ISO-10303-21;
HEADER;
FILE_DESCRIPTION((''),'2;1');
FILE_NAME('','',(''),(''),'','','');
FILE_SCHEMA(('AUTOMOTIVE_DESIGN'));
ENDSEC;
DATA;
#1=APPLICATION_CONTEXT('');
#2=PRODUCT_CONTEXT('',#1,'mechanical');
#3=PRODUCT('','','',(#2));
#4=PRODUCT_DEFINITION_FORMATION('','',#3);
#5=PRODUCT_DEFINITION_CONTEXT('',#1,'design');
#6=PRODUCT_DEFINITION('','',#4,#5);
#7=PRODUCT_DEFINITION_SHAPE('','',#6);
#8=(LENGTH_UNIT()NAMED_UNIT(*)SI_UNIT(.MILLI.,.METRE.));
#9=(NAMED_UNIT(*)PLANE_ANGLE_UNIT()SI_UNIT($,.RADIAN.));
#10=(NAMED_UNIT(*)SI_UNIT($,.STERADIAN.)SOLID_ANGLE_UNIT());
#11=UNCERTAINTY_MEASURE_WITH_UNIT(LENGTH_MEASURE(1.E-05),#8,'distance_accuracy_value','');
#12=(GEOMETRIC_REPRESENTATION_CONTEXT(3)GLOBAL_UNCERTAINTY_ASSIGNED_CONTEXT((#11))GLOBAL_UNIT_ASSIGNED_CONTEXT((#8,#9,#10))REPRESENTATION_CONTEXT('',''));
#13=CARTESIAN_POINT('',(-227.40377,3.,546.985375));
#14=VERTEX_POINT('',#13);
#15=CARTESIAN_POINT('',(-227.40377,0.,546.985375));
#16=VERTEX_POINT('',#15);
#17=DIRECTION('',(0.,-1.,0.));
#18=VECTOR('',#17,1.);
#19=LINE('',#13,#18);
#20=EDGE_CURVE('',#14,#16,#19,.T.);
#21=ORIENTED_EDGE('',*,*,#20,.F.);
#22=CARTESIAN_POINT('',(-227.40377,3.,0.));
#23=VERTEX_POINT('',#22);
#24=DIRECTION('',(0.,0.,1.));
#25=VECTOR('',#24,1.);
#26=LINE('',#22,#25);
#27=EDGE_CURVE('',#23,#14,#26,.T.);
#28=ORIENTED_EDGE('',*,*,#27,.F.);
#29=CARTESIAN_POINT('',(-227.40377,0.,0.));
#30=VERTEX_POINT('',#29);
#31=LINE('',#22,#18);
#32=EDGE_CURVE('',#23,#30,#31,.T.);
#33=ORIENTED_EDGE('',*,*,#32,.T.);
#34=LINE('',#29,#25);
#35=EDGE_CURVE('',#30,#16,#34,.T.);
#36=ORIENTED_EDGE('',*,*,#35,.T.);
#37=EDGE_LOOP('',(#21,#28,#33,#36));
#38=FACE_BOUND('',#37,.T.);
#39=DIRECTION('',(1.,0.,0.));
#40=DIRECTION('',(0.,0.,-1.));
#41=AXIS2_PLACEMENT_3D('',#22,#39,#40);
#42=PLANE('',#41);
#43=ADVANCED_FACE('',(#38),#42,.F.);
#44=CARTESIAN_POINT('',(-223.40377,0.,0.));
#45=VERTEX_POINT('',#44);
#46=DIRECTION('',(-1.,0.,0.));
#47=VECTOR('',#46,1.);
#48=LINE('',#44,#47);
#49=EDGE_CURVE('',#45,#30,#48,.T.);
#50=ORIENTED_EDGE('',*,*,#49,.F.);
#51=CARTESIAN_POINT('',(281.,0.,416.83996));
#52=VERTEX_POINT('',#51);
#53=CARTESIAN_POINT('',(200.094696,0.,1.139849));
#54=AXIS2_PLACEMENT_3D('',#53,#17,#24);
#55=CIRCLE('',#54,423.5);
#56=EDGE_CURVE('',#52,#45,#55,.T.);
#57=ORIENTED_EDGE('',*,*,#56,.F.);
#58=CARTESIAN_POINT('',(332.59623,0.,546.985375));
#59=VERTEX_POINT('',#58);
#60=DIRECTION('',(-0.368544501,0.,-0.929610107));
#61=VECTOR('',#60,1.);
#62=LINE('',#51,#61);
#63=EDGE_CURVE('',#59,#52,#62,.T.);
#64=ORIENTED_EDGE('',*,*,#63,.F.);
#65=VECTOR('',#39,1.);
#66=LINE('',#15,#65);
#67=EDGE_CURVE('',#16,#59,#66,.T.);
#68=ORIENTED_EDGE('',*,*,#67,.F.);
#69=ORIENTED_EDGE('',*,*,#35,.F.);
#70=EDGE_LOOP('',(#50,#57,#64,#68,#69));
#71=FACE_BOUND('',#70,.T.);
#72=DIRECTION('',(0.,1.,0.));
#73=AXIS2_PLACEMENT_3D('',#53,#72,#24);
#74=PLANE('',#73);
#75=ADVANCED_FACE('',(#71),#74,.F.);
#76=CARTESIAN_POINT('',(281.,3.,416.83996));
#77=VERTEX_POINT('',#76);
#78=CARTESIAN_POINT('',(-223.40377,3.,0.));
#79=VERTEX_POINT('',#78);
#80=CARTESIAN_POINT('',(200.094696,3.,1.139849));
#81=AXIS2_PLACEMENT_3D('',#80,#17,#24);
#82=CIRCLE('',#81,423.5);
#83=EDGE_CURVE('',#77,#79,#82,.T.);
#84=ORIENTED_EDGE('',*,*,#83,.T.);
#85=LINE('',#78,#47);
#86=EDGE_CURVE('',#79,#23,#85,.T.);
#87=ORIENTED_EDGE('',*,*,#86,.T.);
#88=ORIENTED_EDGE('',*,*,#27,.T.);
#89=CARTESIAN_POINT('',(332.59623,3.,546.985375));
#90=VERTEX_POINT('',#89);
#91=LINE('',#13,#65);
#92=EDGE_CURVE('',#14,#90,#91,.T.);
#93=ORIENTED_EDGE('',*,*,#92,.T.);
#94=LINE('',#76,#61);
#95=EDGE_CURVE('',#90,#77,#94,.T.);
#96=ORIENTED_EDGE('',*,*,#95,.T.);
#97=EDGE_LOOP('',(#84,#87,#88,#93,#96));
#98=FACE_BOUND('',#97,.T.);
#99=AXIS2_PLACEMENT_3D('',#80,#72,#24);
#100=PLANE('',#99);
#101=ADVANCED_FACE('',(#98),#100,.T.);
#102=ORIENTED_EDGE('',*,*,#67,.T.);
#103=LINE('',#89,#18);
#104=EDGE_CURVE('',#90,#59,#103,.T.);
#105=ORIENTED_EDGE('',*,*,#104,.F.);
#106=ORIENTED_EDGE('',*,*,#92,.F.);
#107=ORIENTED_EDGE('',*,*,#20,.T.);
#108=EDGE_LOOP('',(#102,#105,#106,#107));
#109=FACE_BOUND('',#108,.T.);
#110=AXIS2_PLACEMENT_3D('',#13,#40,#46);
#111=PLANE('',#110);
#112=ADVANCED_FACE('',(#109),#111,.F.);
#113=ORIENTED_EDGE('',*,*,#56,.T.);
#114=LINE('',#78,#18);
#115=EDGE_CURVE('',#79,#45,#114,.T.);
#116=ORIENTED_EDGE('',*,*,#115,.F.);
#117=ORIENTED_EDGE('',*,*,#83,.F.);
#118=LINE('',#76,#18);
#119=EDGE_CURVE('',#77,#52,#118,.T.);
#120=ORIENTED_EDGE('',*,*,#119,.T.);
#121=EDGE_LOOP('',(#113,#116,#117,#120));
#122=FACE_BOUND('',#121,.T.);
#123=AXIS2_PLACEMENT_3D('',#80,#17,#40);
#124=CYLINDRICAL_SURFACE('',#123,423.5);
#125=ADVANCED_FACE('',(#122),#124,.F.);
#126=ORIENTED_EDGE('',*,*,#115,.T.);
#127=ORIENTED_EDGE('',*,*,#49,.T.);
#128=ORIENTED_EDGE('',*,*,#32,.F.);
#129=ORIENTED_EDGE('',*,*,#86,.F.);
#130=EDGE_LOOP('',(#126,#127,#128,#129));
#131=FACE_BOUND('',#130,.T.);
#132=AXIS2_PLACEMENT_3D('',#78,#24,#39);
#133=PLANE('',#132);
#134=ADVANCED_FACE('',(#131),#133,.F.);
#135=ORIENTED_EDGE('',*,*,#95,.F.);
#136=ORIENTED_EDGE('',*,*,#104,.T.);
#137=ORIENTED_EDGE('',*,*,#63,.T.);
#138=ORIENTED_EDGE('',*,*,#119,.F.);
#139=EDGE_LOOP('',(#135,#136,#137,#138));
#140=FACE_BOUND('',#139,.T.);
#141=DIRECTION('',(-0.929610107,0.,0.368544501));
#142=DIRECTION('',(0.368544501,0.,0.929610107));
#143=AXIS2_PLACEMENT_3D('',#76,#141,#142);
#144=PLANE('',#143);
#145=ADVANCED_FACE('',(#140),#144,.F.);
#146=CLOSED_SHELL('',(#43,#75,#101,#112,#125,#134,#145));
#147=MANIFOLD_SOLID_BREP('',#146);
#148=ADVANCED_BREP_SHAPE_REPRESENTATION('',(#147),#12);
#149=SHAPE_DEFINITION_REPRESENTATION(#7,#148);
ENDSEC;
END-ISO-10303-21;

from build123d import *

# Parameters (mm, degrees)
BOSS_EXTRUDE1_DEPTH = 3


with BuildPart() as part:
    # Sketch1 → Boss-Extrude1 (new body)
    with BuildSketch(Plane(origin=(0, 0, 0), x_dir=(1, 0, 0), z_dir=(0, 1, 0))):
        with BuildLine():
            Line((281, -416.839959599), (332.596230099, -546.985374576))
            Line((332.596230099, -546.985374576), (-227.403769901, -546.985374576))
            Line((-227.403769901, -546.985374576), (-227.403769901, 0))
            Line((-227.403769901, 0), (-223.403769901, 0))
            ThreePointArc((-223.403769901, 0), (-69.685597195, -327.59174965), (281, -416.839959599))
        make_face()
    extrude(amount=BOSS_EXTRUDE1_DEPTH)


solid = part.part
